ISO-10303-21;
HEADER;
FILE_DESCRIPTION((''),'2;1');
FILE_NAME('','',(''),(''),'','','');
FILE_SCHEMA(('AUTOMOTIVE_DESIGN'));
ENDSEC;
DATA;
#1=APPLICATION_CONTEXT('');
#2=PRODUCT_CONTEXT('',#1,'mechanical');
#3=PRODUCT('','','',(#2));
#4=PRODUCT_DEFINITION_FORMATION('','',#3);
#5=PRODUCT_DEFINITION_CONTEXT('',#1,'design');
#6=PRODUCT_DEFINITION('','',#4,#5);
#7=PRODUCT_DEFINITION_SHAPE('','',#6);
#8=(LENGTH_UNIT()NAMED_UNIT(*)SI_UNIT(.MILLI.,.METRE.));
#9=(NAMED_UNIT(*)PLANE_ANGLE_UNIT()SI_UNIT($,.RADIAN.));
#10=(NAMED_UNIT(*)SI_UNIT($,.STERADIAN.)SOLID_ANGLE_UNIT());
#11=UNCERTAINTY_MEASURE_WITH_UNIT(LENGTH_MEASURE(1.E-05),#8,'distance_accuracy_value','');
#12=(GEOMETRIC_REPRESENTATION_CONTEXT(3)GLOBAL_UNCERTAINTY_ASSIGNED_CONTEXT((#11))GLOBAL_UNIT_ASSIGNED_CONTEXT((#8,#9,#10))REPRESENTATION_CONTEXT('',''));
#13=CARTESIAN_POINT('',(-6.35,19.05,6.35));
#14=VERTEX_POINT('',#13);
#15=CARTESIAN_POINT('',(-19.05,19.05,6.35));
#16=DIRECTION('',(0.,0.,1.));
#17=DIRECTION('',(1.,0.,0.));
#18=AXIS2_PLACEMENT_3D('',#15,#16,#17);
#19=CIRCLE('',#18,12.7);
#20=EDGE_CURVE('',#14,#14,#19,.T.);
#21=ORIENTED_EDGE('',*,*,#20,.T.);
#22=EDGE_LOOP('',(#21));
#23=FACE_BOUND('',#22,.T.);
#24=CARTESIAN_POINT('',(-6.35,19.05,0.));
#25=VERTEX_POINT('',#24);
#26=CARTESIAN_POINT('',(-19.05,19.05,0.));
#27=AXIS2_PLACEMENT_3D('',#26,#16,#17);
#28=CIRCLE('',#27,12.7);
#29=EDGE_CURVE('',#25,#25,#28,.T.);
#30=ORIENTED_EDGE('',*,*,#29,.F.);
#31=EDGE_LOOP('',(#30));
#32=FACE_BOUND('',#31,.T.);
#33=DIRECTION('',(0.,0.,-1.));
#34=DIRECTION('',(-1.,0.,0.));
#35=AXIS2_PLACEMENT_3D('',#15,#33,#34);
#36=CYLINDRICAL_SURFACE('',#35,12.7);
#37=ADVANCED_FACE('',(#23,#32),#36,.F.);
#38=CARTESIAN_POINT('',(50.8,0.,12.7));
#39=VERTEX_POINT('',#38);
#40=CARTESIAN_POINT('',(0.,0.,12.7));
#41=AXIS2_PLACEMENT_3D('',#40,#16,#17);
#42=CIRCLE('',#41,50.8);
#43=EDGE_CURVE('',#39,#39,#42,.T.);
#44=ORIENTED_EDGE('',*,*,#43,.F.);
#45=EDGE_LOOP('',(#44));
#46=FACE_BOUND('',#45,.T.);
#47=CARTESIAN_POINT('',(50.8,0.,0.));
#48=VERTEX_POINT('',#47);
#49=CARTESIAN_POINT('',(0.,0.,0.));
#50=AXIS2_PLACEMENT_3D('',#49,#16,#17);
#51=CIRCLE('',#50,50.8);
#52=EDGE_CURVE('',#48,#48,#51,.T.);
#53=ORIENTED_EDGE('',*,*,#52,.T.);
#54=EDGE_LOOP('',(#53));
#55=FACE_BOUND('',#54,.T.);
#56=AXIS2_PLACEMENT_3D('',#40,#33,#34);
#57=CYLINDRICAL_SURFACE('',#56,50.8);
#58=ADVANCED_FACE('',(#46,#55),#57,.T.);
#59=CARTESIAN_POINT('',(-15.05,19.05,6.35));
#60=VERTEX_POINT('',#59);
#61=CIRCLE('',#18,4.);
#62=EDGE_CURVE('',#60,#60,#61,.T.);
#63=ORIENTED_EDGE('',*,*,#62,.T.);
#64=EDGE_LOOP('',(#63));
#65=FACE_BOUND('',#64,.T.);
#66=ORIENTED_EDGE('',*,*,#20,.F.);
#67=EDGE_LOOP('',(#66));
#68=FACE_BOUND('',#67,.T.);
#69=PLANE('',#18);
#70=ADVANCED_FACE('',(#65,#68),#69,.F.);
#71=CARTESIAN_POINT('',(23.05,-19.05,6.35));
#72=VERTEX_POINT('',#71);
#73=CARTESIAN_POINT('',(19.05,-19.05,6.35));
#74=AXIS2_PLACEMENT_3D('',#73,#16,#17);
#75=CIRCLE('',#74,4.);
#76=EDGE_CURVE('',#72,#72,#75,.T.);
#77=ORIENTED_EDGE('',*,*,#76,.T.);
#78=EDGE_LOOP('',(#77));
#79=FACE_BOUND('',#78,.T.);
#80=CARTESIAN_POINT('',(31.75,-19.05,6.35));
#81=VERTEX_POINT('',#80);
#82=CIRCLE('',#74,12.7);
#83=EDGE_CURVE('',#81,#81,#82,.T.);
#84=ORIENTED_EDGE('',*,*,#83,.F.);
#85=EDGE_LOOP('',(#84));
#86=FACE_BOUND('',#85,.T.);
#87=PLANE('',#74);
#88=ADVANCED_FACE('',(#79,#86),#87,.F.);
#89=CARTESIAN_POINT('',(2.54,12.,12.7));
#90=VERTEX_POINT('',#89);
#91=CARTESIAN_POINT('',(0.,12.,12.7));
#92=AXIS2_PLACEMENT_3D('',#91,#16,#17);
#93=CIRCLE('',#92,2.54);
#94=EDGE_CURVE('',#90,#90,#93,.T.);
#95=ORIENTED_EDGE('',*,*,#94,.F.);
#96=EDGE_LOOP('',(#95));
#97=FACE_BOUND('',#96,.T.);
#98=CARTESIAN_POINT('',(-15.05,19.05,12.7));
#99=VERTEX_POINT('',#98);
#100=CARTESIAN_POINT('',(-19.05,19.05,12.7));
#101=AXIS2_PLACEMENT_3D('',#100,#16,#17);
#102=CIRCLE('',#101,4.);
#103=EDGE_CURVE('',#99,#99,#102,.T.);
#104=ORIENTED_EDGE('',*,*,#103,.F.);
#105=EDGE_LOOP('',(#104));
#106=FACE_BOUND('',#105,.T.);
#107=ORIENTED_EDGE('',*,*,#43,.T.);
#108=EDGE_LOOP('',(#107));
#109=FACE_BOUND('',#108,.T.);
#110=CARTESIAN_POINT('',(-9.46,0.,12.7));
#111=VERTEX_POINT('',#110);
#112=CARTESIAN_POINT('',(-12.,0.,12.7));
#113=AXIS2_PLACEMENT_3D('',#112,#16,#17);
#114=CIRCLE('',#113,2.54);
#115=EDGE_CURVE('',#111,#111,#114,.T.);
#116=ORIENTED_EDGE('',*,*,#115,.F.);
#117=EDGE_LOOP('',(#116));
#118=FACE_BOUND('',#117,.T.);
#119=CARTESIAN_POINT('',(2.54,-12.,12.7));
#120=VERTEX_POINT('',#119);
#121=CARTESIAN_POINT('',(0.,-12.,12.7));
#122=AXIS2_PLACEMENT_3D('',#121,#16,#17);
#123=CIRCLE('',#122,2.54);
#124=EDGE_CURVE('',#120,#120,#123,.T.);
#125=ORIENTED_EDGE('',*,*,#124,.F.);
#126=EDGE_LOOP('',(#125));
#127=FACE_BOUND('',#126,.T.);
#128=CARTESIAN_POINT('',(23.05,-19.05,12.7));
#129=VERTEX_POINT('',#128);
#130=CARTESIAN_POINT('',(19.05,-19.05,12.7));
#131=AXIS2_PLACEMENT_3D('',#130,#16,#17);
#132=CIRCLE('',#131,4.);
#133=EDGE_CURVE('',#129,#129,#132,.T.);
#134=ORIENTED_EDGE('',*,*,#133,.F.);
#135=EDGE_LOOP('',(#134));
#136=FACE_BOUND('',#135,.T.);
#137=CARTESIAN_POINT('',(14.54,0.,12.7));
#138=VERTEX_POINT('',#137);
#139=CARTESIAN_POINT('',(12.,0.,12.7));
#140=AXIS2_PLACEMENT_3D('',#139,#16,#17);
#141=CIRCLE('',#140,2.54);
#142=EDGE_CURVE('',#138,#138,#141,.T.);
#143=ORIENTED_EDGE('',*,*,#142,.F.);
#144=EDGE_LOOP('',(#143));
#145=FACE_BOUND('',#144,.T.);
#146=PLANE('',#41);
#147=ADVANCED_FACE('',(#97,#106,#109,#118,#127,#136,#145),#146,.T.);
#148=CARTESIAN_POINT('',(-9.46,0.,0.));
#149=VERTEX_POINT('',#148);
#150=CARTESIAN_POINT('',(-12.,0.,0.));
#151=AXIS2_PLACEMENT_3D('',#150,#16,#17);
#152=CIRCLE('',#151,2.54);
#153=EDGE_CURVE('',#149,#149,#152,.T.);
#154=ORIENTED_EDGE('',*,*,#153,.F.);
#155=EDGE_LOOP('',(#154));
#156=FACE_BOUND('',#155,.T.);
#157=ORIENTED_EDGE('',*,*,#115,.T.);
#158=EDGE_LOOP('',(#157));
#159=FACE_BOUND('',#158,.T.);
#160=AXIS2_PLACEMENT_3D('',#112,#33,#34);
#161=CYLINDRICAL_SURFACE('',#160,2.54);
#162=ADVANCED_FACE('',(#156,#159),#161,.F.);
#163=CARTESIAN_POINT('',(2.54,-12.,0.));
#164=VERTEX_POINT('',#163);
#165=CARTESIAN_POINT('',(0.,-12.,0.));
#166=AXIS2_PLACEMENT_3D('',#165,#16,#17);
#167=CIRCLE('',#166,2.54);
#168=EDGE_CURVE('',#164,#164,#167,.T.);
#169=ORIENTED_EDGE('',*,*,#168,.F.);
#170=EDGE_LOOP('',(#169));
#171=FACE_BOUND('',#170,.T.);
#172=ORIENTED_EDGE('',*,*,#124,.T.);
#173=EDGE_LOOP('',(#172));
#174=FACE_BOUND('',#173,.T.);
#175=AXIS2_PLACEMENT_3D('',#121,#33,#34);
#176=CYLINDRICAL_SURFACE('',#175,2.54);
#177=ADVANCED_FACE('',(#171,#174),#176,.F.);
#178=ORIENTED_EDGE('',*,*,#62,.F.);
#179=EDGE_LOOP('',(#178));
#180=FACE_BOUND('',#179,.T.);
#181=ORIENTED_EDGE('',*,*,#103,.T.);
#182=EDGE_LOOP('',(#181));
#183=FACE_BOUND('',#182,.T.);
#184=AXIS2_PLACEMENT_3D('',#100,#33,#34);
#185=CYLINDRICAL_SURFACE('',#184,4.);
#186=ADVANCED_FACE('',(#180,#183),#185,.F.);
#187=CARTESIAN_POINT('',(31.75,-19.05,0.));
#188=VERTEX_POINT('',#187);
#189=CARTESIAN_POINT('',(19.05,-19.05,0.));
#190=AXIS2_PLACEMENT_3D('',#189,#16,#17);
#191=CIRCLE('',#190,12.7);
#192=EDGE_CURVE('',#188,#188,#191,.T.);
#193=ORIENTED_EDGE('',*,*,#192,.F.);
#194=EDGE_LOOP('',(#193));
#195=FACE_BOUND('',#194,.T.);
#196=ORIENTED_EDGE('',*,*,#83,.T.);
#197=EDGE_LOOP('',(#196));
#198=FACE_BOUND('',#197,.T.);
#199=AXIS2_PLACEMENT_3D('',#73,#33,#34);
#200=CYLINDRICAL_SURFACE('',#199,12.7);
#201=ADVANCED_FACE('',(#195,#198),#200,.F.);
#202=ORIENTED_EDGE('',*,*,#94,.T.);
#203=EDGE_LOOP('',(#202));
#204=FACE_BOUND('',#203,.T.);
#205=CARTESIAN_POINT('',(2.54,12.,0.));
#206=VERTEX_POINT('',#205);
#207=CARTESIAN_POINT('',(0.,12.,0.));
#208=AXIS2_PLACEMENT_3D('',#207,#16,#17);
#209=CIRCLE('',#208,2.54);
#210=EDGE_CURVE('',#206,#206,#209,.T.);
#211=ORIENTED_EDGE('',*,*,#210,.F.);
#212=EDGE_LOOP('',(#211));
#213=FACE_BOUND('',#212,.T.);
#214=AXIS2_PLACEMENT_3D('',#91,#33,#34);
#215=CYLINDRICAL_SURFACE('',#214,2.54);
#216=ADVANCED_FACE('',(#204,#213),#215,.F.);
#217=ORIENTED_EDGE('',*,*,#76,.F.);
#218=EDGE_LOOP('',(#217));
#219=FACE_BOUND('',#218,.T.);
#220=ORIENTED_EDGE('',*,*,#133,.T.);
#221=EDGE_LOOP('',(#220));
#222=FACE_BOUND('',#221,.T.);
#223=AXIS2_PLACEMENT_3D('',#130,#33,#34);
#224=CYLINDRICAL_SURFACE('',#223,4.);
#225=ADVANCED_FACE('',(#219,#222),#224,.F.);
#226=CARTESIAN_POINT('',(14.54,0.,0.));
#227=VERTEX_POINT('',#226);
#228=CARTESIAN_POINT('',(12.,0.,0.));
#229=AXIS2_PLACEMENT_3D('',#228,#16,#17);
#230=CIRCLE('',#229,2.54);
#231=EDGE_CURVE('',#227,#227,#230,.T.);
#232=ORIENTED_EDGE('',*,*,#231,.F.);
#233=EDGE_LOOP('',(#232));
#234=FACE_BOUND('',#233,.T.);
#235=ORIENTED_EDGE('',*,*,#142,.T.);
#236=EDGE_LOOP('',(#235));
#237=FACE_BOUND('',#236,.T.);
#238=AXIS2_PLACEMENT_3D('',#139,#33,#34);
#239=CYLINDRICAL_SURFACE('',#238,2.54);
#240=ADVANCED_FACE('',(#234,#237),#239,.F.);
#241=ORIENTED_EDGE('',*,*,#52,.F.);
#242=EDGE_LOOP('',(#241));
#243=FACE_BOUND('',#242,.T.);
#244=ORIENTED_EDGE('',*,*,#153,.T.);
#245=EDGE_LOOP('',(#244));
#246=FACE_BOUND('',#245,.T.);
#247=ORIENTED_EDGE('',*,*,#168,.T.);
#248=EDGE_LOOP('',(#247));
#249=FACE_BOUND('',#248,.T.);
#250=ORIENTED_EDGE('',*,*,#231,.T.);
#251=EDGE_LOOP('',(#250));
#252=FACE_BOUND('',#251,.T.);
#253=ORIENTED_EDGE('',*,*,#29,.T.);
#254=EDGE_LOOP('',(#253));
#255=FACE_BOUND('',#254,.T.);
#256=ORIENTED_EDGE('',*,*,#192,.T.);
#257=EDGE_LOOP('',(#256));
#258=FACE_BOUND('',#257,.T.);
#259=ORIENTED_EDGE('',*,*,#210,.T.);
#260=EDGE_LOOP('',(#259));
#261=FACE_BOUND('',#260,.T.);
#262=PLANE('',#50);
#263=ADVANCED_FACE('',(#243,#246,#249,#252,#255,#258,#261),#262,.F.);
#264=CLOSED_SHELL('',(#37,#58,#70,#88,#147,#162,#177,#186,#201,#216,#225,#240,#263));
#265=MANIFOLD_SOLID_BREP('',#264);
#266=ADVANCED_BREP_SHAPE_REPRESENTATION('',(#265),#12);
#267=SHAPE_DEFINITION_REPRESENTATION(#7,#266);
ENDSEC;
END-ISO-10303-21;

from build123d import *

# Parameters (mm, degrees)
SKETCH1_R           = 50.8
SKETCH1_R_2         = 2.54
BOSS_EXTRUDE1_DEPTH = 12.7
SKETCH2_R           = 4
CUT_EXTRUDE1_DEPTH  = 73.955945611
SKETCH3_R           = 12.7
CUT_EXTRUDE2_DEPTH  = 6.35
SKETCH4_R           = 4
CUT_EXTRUDE3_DEPTH  = 73.955945611
SKETCH5_R           = 12.7
CUT_EXTRUDE5_DEPTH  = 6.35


with BuildPart() as part:
    # Sketch1 → Boss-Extrude1 (new body)
    with BuildSketch(Plane.XY):
        Circle(SKETCH1_R)
        with Locations((12, 0)):
            Circle(SKETCH1_R_2, mode=Mode.SUBTRACT)
        with Locations((0, -12)):
            Circle(SKETCH1_R_2, mode=Mode.SUBTRACT)
        with Locations((-12, 0)):
            Circle(SKETCH1_R_2, mode=Mode.SUBTRACT)
        with Locations((0, 12)):
            Circle(SKETCH1_R_2, mode=Mode.SUBTRACT)
    extrude(amount=BOSS_EXTRUDE1_DEPTH)

    # Sketch2 → Cut-Extrude1 (cut, through all)
    with BuildSketch(Plane.XY):
        with Locations((19.05, -19.05)):
            Circle(SKETCH2_R)
    extrude(amount=CUT_EXTRUDE1_DEPTH, mode=Mode.SUBTRACT)

    # Sketch3 → Cut-Extrude2 (cut)
    with BuildSketch(Plane.XY):
        with Locations((19.05, -19.05)):
            Circle(SKETCH3_R)
    extrude(amount=CUT_EXTRUDE2_DEPTH, mode=Mode.SUBTRACT)

    # Sketch4 → Cut-Extrude3 (cut, through all)
    with BuildSketch(Plane.XY):
        with Locations((-19.05, 19.05)):
            Circle(SKETCH4_R)
    extrude(amount=CUT_EXTRUDE3_DEPTH, mode=Mode.SUBTRACT)

    # Sketch5 → Cut-Extrude5 (cut)
    with BuildSketch(Plane.XY):
        with Locations((-19.05, 19.05)):
            Circle(SKETCH5_R)
    extrude(amount=CUT_EXTRUDE5_DEPTH, mode=Mode.SUBTRACT)


solid = part.part
